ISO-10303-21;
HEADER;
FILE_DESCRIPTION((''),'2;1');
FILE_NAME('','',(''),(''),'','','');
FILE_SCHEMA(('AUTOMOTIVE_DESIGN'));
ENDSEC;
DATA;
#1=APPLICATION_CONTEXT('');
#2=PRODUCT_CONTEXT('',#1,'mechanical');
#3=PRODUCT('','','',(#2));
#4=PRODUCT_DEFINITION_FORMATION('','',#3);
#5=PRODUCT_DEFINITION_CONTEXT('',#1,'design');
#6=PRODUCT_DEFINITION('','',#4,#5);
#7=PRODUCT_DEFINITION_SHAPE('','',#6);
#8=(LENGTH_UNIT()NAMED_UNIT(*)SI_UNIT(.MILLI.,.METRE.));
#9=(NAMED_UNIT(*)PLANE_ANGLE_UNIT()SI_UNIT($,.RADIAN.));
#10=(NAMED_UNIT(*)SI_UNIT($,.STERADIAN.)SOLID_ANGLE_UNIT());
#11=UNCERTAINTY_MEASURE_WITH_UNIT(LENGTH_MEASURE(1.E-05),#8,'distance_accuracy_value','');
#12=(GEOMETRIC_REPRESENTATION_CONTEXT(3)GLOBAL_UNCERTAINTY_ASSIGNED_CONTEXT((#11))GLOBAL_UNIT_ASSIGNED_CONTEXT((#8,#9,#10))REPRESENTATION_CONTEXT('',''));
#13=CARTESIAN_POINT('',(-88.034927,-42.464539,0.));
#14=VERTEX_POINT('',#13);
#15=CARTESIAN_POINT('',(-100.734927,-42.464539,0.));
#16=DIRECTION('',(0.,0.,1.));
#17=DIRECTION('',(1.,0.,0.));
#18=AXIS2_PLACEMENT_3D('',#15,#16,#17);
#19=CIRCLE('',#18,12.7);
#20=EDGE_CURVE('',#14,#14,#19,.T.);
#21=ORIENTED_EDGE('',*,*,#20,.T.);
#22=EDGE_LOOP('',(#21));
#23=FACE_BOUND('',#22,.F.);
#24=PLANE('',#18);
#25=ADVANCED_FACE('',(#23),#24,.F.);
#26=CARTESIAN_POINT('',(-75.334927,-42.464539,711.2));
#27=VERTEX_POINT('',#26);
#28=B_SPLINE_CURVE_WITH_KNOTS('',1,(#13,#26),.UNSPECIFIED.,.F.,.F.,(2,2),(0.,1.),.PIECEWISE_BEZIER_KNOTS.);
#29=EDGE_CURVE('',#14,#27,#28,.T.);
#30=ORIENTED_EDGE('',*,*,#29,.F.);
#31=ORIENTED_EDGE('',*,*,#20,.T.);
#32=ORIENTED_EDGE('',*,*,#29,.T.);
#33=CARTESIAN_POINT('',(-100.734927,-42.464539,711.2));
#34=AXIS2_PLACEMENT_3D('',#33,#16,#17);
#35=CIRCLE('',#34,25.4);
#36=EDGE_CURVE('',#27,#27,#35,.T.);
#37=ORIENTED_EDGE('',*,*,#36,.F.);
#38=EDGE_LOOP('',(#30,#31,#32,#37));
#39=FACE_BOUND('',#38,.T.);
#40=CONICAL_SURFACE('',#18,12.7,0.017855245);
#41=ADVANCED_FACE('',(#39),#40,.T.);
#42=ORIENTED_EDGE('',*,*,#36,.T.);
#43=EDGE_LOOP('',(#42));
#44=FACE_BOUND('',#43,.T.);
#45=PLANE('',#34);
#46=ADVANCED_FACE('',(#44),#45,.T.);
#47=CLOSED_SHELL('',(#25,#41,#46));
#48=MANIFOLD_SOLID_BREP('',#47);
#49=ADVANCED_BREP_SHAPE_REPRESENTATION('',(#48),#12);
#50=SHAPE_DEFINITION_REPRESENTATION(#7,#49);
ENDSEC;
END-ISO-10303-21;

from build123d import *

# Parameters (mm, degrees)
F0_R = 12.7
F2_R = 25.4


with BuildPart() as f3:
    # F0 (on Top) → F3 section 0
    with BuildSketch(Plane.XY):
        with Locations((-100.734927, -42.464539)):
            Circle(F0_R)
    # F2 (on offset) → F3 section 1
    with BuildSketch(Plane.XY.offset(711.2)):
        with Locations((-100.734927, -42.464539)):
            Circle(F2_R)
    loft()


solid = f3.part
